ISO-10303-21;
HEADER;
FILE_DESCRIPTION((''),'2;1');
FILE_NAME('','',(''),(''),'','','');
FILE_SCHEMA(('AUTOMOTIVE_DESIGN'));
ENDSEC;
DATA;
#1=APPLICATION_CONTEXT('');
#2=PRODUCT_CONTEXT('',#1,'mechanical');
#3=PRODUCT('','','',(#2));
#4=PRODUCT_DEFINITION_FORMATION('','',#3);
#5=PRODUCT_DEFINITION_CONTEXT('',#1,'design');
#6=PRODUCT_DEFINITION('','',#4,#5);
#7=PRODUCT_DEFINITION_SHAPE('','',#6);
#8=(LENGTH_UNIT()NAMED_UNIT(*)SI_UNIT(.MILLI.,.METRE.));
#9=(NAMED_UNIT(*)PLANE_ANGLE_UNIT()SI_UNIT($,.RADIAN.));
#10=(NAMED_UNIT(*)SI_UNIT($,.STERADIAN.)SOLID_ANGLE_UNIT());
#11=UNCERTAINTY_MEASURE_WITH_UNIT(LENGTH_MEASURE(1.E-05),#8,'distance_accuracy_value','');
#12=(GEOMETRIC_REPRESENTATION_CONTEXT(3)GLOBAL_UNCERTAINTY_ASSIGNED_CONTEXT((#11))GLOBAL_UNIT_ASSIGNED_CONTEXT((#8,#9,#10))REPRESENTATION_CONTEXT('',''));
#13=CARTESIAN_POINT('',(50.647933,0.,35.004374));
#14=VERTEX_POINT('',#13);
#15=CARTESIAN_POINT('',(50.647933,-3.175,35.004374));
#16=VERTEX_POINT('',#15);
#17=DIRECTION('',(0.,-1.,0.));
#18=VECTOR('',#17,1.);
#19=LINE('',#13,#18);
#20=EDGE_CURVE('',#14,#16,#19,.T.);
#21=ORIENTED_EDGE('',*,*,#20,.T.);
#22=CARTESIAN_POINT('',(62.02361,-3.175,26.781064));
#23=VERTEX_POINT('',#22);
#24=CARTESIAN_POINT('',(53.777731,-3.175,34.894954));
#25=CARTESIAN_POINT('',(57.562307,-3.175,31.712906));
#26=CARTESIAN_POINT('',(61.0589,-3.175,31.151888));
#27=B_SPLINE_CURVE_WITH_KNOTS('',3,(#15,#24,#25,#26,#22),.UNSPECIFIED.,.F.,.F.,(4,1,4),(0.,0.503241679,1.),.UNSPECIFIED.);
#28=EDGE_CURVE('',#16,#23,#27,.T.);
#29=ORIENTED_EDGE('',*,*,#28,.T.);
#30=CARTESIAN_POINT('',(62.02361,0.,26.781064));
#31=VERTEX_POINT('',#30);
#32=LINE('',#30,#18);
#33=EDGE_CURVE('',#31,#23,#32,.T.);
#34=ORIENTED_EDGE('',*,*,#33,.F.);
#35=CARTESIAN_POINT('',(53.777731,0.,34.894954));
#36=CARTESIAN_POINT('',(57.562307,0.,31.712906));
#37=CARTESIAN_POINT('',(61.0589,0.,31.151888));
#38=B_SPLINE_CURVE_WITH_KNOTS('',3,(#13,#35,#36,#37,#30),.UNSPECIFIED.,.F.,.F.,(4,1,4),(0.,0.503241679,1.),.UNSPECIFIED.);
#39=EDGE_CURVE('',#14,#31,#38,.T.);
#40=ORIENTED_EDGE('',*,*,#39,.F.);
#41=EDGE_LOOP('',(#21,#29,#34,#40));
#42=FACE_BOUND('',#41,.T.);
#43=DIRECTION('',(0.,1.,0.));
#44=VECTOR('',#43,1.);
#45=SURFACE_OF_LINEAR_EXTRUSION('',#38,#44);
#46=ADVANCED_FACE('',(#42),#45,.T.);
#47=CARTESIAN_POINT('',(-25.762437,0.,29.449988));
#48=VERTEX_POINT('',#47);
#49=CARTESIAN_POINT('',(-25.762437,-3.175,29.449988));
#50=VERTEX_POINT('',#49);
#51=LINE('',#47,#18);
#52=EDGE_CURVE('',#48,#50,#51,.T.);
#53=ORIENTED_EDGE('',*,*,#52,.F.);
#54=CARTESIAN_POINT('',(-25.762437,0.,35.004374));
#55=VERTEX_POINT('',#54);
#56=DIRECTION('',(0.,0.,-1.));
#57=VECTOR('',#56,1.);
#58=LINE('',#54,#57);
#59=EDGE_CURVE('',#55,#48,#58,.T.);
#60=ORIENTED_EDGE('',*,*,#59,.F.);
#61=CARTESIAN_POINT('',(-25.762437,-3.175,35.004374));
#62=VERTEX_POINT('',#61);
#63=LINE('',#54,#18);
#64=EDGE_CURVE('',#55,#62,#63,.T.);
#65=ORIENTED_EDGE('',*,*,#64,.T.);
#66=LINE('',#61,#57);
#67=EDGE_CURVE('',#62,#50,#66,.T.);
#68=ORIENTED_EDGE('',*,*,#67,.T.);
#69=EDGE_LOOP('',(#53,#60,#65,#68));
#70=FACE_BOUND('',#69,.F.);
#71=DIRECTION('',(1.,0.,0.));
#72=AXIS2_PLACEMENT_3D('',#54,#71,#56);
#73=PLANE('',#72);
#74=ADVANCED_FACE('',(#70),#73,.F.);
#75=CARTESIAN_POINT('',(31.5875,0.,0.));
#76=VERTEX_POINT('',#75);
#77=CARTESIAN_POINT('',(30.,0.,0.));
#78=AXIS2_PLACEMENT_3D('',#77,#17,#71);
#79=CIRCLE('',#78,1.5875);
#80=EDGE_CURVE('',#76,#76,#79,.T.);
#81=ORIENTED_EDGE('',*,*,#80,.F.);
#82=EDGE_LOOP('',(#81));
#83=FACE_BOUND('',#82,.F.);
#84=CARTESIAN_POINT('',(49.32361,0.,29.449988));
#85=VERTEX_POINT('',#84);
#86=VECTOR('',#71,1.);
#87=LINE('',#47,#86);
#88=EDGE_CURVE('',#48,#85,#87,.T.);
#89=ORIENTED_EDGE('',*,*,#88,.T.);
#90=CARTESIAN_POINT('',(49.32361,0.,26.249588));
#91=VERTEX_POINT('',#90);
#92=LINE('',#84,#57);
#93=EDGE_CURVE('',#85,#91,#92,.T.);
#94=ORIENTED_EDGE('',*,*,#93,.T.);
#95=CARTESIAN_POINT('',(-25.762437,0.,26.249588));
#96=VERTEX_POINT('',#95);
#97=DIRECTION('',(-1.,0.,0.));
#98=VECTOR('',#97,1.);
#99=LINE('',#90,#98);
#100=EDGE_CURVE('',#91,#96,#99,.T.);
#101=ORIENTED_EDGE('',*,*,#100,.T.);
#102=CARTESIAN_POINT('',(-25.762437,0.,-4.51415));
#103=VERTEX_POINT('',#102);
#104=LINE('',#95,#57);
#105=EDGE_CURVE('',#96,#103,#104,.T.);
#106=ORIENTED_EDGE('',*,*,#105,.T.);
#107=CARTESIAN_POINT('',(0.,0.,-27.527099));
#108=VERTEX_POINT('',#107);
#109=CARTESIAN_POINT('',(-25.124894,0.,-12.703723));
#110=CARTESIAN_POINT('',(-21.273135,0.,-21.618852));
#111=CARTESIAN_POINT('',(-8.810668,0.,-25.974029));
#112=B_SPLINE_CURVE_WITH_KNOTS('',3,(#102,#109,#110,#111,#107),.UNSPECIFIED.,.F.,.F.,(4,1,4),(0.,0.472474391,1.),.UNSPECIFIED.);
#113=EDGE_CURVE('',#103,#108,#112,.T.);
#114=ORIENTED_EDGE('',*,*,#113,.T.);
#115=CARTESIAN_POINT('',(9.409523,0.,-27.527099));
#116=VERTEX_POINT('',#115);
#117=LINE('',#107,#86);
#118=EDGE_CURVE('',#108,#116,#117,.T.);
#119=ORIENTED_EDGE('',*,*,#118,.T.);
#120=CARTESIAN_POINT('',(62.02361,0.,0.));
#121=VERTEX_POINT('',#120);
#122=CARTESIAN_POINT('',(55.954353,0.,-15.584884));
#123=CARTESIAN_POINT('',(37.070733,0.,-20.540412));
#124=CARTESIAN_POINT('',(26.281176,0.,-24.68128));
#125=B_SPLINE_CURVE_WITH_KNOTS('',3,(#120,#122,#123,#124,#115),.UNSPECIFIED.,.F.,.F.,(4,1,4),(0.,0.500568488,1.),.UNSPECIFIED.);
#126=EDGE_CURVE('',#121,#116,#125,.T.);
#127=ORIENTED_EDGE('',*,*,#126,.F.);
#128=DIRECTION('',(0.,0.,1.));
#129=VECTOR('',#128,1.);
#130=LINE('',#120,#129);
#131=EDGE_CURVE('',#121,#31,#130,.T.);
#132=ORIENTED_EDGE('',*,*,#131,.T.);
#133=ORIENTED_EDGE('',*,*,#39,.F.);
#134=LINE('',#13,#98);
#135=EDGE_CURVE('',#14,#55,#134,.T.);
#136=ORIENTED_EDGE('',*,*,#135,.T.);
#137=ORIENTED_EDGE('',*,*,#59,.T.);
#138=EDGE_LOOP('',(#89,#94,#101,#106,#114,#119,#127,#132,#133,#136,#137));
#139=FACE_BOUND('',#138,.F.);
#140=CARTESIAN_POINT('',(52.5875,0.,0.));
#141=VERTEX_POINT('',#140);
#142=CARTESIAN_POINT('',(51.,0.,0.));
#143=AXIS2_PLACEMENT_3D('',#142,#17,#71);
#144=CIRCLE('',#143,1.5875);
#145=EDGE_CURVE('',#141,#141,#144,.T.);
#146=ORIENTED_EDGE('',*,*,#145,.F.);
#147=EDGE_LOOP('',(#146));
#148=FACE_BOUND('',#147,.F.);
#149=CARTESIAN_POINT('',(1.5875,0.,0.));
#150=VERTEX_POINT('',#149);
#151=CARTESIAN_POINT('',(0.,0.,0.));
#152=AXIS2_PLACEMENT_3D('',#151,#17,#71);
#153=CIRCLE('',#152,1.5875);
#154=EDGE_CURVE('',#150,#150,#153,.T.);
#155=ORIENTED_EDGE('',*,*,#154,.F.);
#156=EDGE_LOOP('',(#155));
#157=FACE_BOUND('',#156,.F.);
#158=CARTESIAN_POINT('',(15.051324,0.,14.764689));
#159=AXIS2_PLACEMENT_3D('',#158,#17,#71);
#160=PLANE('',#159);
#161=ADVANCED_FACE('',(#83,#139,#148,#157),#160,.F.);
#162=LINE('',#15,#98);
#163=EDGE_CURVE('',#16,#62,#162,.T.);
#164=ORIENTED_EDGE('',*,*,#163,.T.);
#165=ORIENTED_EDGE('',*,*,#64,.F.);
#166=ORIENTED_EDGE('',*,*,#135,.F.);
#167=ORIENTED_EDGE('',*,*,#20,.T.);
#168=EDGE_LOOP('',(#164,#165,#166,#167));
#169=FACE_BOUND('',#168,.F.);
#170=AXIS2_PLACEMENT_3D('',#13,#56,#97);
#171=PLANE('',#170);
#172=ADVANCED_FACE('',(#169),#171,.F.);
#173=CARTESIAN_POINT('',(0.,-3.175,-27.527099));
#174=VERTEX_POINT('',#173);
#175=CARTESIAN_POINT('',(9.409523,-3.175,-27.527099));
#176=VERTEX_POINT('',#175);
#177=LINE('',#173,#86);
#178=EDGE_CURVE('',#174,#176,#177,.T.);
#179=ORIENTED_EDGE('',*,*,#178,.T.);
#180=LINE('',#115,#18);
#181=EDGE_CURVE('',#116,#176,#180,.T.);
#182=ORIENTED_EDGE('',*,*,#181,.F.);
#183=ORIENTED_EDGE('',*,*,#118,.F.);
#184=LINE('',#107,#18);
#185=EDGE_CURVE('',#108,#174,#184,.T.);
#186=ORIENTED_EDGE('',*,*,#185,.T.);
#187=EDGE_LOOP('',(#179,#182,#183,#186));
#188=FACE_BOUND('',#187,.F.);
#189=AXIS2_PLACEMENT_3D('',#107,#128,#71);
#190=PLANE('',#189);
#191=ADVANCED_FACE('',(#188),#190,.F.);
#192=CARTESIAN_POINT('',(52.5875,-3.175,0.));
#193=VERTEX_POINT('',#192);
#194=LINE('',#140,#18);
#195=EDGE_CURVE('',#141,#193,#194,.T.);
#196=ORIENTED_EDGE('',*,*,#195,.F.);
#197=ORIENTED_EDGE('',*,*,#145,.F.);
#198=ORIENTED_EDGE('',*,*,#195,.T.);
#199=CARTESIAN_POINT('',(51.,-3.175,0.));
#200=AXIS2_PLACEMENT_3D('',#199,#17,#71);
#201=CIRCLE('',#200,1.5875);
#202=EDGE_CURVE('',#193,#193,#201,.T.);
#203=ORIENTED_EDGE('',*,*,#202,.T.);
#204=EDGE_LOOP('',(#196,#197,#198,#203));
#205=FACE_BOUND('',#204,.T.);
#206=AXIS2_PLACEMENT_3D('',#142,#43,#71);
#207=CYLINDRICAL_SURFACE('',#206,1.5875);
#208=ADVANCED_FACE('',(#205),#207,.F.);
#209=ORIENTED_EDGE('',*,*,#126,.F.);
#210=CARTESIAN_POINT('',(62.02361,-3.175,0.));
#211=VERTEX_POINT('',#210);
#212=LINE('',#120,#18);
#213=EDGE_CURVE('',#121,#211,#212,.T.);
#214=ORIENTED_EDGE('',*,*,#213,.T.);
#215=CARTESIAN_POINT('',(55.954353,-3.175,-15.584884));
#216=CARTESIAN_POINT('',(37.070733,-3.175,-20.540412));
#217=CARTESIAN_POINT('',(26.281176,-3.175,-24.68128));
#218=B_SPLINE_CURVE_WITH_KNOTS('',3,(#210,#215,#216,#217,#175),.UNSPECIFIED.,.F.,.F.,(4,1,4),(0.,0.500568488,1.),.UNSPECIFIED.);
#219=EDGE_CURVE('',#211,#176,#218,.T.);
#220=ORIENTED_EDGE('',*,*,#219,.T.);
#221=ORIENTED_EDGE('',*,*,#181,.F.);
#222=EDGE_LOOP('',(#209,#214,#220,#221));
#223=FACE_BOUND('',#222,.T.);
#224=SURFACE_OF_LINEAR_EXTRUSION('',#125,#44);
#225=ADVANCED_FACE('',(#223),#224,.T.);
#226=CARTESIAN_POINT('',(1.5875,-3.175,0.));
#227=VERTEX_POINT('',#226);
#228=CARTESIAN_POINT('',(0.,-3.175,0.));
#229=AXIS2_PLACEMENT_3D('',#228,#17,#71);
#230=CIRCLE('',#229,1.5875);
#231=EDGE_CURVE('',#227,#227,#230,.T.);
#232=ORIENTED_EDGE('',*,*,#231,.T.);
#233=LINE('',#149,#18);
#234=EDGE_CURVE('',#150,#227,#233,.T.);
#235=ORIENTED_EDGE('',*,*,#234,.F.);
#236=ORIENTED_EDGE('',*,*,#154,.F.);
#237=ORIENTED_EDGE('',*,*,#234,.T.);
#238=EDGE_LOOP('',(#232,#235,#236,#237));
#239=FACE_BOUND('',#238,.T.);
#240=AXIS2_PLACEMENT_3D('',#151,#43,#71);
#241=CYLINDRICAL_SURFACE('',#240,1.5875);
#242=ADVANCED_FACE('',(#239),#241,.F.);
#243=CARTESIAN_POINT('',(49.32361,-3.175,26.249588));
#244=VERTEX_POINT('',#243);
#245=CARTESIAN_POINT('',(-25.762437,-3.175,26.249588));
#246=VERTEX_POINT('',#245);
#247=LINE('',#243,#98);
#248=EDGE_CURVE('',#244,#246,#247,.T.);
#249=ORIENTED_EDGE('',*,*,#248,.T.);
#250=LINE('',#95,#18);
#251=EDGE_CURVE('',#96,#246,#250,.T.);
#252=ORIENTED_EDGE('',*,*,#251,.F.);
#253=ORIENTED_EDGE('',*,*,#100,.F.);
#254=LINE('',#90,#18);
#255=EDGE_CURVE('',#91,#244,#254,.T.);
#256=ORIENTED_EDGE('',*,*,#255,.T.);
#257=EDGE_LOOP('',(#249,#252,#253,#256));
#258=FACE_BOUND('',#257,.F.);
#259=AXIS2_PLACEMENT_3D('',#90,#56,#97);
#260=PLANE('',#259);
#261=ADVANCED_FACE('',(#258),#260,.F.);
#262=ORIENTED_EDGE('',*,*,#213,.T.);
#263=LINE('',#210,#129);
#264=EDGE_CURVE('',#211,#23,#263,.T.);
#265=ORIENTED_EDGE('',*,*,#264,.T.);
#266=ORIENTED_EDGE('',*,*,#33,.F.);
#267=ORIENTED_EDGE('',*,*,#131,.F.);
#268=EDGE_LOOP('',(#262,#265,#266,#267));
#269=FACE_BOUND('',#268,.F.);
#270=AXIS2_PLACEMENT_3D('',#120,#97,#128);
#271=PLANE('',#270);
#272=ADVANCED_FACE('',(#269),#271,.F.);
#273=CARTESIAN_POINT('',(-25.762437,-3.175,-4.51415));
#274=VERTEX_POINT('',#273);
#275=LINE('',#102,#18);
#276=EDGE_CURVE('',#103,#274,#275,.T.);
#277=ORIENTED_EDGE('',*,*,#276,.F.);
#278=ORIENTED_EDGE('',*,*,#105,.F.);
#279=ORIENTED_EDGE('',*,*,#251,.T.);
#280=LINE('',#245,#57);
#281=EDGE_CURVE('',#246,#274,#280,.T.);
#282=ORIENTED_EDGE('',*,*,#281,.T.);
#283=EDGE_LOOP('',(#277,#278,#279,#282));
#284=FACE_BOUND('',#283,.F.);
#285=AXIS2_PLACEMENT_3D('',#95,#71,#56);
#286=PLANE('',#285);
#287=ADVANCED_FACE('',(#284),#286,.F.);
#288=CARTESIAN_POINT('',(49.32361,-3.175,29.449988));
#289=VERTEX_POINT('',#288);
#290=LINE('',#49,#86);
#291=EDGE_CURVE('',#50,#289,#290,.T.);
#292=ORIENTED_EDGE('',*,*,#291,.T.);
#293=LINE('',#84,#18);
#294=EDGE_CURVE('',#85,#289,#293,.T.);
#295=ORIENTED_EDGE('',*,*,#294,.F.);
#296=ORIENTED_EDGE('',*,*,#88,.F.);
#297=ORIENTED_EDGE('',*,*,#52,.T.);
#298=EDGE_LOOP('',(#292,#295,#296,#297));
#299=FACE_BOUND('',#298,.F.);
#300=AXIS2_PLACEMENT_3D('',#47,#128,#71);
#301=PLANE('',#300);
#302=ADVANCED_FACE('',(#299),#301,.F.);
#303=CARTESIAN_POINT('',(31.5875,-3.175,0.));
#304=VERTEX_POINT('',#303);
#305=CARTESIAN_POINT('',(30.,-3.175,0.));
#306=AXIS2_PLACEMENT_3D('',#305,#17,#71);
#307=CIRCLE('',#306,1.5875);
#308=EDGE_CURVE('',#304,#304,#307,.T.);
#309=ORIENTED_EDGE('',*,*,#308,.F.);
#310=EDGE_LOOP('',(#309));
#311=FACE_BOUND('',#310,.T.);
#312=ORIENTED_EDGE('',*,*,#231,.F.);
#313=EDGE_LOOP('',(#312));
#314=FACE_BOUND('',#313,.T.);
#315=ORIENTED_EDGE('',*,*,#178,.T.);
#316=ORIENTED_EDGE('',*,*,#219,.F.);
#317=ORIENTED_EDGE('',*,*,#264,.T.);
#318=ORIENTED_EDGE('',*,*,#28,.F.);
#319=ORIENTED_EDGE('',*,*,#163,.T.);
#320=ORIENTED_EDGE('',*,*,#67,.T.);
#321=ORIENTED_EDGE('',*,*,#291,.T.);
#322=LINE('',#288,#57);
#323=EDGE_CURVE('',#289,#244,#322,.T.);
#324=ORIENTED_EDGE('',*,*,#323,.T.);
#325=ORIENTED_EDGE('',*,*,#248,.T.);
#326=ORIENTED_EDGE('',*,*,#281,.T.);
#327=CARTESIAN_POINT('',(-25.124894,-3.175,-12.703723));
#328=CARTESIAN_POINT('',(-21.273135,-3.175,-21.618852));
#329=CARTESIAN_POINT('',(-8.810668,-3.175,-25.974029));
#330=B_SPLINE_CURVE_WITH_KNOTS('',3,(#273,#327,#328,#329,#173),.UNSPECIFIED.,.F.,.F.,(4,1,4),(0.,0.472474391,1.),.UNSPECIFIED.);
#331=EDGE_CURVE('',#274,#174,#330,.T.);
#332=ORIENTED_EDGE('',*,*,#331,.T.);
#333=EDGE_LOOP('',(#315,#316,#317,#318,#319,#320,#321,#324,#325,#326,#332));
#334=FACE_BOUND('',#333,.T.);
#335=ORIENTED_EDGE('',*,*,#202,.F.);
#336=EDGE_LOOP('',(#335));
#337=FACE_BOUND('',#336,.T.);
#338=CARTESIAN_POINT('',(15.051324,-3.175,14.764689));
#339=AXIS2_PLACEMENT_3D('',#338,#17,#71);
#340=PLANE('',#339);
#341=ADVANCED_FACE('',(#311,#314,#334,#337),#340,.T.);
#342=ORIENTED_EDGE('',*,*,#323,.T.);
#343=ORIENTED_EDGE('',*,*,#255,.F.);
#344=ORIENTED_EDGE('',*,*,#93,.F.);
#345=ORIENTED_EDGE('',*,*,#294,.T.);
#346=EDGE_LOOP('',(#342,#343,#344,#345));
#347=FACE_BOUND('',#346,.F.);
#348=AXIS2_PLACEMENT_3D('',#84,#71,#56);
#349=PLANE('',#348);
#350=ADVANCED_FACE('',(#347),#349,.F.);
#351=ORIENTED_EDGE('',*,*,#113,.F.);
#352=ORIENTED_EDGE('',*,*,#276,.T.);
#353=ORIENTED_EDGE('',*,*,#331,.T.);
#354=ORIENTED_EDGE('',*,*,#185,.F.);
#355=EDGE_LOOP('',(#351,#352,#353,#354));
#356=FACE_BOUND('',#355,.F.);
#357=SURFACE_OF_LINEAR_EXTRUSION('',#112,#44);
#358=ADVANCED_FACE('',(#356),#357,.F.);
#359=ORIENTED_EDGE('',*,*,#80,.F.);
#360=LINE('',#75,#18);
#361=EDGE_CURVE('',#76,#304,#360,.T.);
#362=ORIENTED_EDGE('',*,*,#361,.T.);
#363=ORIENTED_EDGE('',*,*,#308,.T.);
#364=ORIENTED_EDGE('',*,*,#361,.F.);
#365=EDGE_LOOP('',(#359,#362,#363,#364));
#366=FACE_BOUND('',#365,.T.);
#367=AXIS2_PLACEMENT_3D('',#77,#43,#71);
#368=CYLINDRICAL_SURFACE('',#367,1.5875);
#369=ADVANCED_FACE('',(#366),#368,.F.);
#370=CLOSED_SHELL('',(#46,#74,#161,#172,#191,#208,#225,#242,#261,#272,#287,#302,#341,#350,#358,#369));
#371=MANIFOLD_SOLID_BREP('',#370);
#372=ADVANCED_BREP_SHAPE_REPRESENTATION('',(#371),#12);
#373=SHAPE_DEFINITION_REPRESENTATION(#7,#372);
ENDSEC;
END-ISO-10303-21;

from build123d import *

# Parameters (mm, degrees)
F0_R     = 1.5875
F1_DEPTH = 3.175


with BuildPart() as f1:
    # F0 (on Front) → F1 (new body)
    with BuildSketch(Plane.XZ):
        with BuildLine():
            Line((50.6479330361, 35.0043736398), (-25.7624369115, 35.0043736398))
            Line((-25.7624369115, 35.0043736398), (-25.7624369115, 29.4499880035))
            Line((-25.7624369115, 29.4499880035), (49.3236098766, 29.4499880035))
            Line((49.3236098766, 29.4499880035), (49.3236098766, 26.2495880035))
            Line((49.3236098766, 26.2495880035), (-25.7624369115, 26.2495880035))
            Line((-25.7624369115, 26.2495880035), (-25.7624369115, -4.5141498558))
            add(Edge.make_bspline(
                [(-25.7624369115, -4.5141498558), (-25.1248944768, -12.7037227728), (-21.273135168, -21.6188524058), (-8.8106677914, -25.9740285807), (0, -27.5270994753)],
                knots=[0, 0, 0, 0, 0.4724743907, 1, 1, 1, 1], degree=3))
            Line((0, -27.5270994753), (9.4095226377, -27.5270994753))
            add(Edge.make_bspline(
                [(62.0236098766, 0), (55.9543529055, -15.5848842081), (37.0707330662, -20.5404116138), (26.281176066, -24.6812803242), (9.4095226377, -27.5270994753)],
                knots=[0, 0, 0, 0, 0.5005684884, 1, 1, 1, 1], degree=3))
            Line((62.0236098766, 0), (62.0236098766, 26.7810635269))
            add(Edge.make_bspline(
                [(50.6479330361, 35.0043736398), (53.7777307553, 34.8949537409), (57.5623068819, 31.7129061422), (61.0588998458, 31.1518883312), (62.0236098766, 26.7810635269)],
                knots=[0, 0, 0, 0, 0.5032416789, 1, 1, 1, 1], degree=3))
        make_face()
        with BuildLine():
            ThreePointArc((19.03225, -11.4771113499), (-22.225, 0), (19.03225, 11.4771113499))
            ThreePointArc((19.03225, 11.4771113499), (34.7094550243, 15.1603647177), (45.5403125, 3.2425780488))
            ThreePointArc((45.5403125, 3.2425780488), (52.681291821, 6.123377974), (57.35, 0))
            ThreePointArc((57.35, 0), (52.681291821, -6.123377974), (45.5403125, -3.2425780488))
            ThreePointArc((45.5403125, -3.2425780488), (34.7094550243, -15.1603647177), (19.03225, -11.4771113499))
        make_face(mode=Mode.SUBTRACT)
        with BuildLine():
            ThreePointArc((19.03225, -11.4771113499), (14.125, 0), (19.03225, 11.4771113499))
            ThreePointArc((19.03225, 11.4771113499), (-22.225, 0), (19.03225, -11.4771113499))
        make_face()
        Circle(F0_R, mode=Mode.SUBTRACT)
        with BuildLine():
            ThreePointArc((19.03225, 11.4771113499), (20.655434945, 8.2038790967), (21.7204166667, 4.7089409453))
            ThreePointArc((21.7204166667, 4.7089409453), (32.4354253992, 9.2083835783), (39.525, 0))
            ThreePointArc((39.525, 0), (32.4354253992, -9.2083835783), (21.7204166667, -4.7089409453))
            ThreePointArc((21.7204166667, -4.7089409453), (20.655434945, -8.2038790967), (19.03225, -11.4771113499))
            ThreePointArc((19.03225, -11.4771113499), (34.7094550243, -15.1603647177), (45.5403125, -3.2425780488))
            ThreePointArc((45.5403125, -3.2425780488), (44.65, 0), (45.5403125, 3.2425780488))
            ThreePointArc((45.5403125, 3.2425780488), (34.7094550243, 15.1603647177), (19.03225, 11.4771113499))
        make_face()
        with BuildLine():
            ThreePointArc((21.7204166667, 4.7089409453), (22.0984941276, 2.3679489631), (22.225, 0))
            ThreePointArc((22.225, 0), (22.0984941276, -2.3679489631), (21.7204166667, -4.7089409453))
            ThreePointArc((21.7204166667, -4.7089409453), (32.4354253992, -9.2083835783), (39.525, 0))
            ThreePointArc((39.525, 0), (32.4354253992, 9.2083835783), (21.7204166667, 4.7089409453))
        make_face()
        with Locations((30, 0)):
            Circle(F0_R, mode=Mode.SUBTRACT)
        with BuildLine():
            ThreePointArc((57.35, 0), (52.681291821, 6.123377974), (45.5403125, 3.2425780488))
            ThreePointArc((45.5403125, 3.2425780488), (45.7911064517, 1.6299024607), (45.875, 0))
            ThreePointArc((45.875, 0), (45.7911064517, -1.6299024607), (45.5403125, -3.2425780488))
            ThreePointArc((45.5403125, -3.2425780488), (52.681291821, -6.123377974), (57.35, 0))
        make_face()
        with Locations((51, 0)):
            Circle(F0_R, mode=Mode.SUBTRACT)
        with BuildLine():
            ThreePointArc((21.7204166667, -4.7089409453), (20.475, 0), (21.7204166667, 4.7089409453))
            ThreePointArc((21.7204166667, 4.7089409453), (20.655434945, 8.2038790967), (19.03225, 11.4771113499))
            ThreePointArc((19.03225, 11.4771113499), (14.125, 0), (19.03225, -11.4771113499))
            ThreePointArc((19.03225, -11.4771113499), (20.655434945, -8.2038790967), (21.7204166667, -4.7089409453))
        make_face()
        with BuildLine():
            ThreePointArc((21.7204166667, -4.7089409453), (22.0984941276, -2.3679489631), (22.225, 0))
            ThreePointArc((22.225, 0), (22.0984941276, 2.3679489631), (21.7204166667, 4.7089409453))
            ThreePointArc((21.7204166667, 4.7089409453), (20.475, 0), (21.7204166667, -4.7089409453))
        make_face()
        with BuildLine():
            ThreePointArc((45.875, 0), (45.7911064517, 1.6299024607), (45.5403125, 3.2425780488))
            ThreePointArc((45.5403125, 3.2425780488), (44.65, 0), (45.5403125, -3.2425780488))
            ThreePointArc((45.5403125, -3.2425780488), (45.7911064517, -1.6299024607), (45.875, 0))
        make_face()
    extrude(amount=F1_DEPTH)


solid = f1.part
